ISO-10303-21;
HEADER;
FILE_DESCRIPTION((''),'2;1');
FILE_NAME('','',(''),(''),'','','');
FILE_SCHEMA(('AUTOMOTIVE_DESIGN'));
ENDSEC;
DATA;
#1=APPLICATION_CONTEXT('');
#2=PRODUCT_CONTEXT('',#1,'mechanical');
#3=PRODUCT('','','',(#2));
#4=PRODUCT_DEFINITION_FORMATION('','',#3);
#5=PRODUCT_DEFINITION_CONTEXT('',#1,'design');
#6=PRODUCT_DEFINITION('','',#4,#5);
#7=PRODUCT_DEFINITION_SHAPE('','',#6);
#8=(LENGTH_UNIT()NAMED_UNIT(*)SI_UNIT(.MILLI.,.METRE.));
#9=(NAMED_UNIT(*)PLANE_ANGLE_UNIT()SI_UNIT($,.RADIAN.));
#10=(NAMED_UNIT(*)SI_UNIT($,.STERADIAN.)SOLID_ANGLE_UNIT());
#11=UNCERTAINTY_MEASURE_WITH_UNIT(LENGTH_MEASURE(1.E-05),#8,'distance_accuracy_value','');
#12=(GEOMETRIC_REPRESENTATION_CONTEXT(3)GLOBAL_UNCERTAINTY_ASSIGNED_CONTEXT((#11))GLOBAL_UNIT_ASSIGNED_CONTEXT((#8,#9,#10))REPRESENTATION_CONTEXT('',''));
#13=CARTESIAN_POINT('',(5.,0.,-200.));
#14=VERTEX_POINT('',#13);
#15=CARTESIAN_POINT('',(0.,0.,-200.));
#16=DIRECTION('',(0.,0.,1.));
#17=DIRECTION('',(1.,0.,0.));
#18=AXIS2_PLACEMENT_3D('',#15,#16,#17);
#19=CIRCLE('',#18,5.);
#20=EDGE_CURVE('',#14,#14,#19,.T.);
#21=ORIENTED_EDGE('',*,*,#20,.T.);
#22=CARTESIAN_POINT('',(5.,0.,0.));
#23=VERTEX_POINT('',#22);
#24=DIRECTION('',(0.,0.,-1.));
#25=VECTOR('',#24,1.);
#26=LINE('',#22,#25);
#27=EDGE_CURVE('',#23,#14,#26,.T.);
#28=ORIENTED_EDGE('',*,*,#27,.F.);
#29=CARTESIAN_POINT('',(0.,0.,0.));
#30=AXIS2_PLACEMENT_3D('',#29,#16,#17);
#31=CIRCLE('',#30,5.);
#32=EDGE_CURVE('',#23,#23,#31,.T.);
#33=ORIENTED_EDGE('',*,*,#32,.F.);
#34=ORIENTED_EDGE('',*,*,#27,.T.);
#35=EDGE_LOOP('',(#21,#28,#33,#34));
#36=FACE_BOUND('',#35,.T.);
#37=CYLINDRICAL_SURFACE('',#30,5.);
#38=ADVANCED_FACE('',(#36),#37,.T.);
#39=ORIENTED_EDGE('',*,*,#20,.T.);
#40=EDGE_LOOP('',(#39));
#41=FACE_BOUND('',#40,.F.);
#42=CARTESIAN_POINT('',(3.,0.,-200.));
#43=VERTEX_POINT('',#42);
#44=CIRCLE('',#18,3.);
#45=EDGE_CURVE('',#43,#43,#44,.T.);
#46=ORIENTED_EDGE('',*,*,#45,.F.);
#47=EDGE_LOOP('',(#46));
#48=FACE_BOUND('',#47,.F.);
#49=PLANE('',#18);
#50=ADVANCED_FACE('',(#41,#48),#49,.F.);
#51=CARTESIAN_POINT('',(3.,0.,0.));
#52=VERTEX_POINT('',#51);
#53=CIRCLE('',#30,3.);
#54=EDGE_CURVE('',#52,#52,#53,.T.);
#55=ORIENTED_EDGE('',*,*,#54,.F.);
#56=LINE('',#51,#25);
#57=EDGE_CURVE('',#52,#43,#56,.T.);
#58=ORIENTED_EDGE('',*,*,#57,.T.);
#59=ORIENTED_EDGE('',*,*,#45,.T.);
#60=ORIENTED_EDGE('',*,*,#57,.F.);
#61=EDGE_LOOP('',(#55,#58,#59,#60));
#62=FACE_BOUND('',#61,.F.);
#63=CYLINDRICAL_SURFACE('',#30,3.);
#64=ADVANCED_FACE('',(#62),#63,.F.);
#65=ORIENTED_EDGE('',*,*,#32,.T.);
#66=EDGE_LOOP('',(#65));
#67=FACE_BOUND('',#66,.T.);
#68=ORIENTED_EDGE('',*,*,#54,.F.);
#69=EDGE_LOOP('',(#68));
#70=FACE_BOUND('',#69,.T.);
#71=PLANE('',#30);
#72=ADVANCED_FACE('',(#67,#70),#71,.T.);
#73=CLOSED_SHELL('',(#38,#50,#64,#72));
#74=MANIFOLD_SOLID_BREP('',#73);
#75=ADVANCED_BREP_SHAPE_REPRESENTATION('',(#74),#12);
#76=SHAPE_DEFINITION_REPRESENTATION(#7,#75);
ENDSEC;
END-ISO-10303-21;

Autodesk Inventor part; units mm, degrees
ref_plane "YZ Plane" through (0, 0, 0) normal (1, 0, 0) x (0, 1, 0)
ref_plane "XZ Plane" through (0, 0, 0) normal (0, 1, 0) x (-1, 0, 0)
ref_plane "XY Plane" through (0, 0, 0) normal (0, 0, 1) x (1, 0, 0)
sketch "Sketch1" plane through (0, 0, 0) normal (0, 0, 1) x (1, 0, 0)
  circle A0 centre (0, 0) radius 3
  circle A1 centre (0, 0) radius 5
  dimension "d0" = 6
  dimension "d1" = 10
extrude "Extrusion1" add sketch "Sketch1" against normal blind 200
properties part number "Top_Pipe Cable 1" material "PVC-Piping"
